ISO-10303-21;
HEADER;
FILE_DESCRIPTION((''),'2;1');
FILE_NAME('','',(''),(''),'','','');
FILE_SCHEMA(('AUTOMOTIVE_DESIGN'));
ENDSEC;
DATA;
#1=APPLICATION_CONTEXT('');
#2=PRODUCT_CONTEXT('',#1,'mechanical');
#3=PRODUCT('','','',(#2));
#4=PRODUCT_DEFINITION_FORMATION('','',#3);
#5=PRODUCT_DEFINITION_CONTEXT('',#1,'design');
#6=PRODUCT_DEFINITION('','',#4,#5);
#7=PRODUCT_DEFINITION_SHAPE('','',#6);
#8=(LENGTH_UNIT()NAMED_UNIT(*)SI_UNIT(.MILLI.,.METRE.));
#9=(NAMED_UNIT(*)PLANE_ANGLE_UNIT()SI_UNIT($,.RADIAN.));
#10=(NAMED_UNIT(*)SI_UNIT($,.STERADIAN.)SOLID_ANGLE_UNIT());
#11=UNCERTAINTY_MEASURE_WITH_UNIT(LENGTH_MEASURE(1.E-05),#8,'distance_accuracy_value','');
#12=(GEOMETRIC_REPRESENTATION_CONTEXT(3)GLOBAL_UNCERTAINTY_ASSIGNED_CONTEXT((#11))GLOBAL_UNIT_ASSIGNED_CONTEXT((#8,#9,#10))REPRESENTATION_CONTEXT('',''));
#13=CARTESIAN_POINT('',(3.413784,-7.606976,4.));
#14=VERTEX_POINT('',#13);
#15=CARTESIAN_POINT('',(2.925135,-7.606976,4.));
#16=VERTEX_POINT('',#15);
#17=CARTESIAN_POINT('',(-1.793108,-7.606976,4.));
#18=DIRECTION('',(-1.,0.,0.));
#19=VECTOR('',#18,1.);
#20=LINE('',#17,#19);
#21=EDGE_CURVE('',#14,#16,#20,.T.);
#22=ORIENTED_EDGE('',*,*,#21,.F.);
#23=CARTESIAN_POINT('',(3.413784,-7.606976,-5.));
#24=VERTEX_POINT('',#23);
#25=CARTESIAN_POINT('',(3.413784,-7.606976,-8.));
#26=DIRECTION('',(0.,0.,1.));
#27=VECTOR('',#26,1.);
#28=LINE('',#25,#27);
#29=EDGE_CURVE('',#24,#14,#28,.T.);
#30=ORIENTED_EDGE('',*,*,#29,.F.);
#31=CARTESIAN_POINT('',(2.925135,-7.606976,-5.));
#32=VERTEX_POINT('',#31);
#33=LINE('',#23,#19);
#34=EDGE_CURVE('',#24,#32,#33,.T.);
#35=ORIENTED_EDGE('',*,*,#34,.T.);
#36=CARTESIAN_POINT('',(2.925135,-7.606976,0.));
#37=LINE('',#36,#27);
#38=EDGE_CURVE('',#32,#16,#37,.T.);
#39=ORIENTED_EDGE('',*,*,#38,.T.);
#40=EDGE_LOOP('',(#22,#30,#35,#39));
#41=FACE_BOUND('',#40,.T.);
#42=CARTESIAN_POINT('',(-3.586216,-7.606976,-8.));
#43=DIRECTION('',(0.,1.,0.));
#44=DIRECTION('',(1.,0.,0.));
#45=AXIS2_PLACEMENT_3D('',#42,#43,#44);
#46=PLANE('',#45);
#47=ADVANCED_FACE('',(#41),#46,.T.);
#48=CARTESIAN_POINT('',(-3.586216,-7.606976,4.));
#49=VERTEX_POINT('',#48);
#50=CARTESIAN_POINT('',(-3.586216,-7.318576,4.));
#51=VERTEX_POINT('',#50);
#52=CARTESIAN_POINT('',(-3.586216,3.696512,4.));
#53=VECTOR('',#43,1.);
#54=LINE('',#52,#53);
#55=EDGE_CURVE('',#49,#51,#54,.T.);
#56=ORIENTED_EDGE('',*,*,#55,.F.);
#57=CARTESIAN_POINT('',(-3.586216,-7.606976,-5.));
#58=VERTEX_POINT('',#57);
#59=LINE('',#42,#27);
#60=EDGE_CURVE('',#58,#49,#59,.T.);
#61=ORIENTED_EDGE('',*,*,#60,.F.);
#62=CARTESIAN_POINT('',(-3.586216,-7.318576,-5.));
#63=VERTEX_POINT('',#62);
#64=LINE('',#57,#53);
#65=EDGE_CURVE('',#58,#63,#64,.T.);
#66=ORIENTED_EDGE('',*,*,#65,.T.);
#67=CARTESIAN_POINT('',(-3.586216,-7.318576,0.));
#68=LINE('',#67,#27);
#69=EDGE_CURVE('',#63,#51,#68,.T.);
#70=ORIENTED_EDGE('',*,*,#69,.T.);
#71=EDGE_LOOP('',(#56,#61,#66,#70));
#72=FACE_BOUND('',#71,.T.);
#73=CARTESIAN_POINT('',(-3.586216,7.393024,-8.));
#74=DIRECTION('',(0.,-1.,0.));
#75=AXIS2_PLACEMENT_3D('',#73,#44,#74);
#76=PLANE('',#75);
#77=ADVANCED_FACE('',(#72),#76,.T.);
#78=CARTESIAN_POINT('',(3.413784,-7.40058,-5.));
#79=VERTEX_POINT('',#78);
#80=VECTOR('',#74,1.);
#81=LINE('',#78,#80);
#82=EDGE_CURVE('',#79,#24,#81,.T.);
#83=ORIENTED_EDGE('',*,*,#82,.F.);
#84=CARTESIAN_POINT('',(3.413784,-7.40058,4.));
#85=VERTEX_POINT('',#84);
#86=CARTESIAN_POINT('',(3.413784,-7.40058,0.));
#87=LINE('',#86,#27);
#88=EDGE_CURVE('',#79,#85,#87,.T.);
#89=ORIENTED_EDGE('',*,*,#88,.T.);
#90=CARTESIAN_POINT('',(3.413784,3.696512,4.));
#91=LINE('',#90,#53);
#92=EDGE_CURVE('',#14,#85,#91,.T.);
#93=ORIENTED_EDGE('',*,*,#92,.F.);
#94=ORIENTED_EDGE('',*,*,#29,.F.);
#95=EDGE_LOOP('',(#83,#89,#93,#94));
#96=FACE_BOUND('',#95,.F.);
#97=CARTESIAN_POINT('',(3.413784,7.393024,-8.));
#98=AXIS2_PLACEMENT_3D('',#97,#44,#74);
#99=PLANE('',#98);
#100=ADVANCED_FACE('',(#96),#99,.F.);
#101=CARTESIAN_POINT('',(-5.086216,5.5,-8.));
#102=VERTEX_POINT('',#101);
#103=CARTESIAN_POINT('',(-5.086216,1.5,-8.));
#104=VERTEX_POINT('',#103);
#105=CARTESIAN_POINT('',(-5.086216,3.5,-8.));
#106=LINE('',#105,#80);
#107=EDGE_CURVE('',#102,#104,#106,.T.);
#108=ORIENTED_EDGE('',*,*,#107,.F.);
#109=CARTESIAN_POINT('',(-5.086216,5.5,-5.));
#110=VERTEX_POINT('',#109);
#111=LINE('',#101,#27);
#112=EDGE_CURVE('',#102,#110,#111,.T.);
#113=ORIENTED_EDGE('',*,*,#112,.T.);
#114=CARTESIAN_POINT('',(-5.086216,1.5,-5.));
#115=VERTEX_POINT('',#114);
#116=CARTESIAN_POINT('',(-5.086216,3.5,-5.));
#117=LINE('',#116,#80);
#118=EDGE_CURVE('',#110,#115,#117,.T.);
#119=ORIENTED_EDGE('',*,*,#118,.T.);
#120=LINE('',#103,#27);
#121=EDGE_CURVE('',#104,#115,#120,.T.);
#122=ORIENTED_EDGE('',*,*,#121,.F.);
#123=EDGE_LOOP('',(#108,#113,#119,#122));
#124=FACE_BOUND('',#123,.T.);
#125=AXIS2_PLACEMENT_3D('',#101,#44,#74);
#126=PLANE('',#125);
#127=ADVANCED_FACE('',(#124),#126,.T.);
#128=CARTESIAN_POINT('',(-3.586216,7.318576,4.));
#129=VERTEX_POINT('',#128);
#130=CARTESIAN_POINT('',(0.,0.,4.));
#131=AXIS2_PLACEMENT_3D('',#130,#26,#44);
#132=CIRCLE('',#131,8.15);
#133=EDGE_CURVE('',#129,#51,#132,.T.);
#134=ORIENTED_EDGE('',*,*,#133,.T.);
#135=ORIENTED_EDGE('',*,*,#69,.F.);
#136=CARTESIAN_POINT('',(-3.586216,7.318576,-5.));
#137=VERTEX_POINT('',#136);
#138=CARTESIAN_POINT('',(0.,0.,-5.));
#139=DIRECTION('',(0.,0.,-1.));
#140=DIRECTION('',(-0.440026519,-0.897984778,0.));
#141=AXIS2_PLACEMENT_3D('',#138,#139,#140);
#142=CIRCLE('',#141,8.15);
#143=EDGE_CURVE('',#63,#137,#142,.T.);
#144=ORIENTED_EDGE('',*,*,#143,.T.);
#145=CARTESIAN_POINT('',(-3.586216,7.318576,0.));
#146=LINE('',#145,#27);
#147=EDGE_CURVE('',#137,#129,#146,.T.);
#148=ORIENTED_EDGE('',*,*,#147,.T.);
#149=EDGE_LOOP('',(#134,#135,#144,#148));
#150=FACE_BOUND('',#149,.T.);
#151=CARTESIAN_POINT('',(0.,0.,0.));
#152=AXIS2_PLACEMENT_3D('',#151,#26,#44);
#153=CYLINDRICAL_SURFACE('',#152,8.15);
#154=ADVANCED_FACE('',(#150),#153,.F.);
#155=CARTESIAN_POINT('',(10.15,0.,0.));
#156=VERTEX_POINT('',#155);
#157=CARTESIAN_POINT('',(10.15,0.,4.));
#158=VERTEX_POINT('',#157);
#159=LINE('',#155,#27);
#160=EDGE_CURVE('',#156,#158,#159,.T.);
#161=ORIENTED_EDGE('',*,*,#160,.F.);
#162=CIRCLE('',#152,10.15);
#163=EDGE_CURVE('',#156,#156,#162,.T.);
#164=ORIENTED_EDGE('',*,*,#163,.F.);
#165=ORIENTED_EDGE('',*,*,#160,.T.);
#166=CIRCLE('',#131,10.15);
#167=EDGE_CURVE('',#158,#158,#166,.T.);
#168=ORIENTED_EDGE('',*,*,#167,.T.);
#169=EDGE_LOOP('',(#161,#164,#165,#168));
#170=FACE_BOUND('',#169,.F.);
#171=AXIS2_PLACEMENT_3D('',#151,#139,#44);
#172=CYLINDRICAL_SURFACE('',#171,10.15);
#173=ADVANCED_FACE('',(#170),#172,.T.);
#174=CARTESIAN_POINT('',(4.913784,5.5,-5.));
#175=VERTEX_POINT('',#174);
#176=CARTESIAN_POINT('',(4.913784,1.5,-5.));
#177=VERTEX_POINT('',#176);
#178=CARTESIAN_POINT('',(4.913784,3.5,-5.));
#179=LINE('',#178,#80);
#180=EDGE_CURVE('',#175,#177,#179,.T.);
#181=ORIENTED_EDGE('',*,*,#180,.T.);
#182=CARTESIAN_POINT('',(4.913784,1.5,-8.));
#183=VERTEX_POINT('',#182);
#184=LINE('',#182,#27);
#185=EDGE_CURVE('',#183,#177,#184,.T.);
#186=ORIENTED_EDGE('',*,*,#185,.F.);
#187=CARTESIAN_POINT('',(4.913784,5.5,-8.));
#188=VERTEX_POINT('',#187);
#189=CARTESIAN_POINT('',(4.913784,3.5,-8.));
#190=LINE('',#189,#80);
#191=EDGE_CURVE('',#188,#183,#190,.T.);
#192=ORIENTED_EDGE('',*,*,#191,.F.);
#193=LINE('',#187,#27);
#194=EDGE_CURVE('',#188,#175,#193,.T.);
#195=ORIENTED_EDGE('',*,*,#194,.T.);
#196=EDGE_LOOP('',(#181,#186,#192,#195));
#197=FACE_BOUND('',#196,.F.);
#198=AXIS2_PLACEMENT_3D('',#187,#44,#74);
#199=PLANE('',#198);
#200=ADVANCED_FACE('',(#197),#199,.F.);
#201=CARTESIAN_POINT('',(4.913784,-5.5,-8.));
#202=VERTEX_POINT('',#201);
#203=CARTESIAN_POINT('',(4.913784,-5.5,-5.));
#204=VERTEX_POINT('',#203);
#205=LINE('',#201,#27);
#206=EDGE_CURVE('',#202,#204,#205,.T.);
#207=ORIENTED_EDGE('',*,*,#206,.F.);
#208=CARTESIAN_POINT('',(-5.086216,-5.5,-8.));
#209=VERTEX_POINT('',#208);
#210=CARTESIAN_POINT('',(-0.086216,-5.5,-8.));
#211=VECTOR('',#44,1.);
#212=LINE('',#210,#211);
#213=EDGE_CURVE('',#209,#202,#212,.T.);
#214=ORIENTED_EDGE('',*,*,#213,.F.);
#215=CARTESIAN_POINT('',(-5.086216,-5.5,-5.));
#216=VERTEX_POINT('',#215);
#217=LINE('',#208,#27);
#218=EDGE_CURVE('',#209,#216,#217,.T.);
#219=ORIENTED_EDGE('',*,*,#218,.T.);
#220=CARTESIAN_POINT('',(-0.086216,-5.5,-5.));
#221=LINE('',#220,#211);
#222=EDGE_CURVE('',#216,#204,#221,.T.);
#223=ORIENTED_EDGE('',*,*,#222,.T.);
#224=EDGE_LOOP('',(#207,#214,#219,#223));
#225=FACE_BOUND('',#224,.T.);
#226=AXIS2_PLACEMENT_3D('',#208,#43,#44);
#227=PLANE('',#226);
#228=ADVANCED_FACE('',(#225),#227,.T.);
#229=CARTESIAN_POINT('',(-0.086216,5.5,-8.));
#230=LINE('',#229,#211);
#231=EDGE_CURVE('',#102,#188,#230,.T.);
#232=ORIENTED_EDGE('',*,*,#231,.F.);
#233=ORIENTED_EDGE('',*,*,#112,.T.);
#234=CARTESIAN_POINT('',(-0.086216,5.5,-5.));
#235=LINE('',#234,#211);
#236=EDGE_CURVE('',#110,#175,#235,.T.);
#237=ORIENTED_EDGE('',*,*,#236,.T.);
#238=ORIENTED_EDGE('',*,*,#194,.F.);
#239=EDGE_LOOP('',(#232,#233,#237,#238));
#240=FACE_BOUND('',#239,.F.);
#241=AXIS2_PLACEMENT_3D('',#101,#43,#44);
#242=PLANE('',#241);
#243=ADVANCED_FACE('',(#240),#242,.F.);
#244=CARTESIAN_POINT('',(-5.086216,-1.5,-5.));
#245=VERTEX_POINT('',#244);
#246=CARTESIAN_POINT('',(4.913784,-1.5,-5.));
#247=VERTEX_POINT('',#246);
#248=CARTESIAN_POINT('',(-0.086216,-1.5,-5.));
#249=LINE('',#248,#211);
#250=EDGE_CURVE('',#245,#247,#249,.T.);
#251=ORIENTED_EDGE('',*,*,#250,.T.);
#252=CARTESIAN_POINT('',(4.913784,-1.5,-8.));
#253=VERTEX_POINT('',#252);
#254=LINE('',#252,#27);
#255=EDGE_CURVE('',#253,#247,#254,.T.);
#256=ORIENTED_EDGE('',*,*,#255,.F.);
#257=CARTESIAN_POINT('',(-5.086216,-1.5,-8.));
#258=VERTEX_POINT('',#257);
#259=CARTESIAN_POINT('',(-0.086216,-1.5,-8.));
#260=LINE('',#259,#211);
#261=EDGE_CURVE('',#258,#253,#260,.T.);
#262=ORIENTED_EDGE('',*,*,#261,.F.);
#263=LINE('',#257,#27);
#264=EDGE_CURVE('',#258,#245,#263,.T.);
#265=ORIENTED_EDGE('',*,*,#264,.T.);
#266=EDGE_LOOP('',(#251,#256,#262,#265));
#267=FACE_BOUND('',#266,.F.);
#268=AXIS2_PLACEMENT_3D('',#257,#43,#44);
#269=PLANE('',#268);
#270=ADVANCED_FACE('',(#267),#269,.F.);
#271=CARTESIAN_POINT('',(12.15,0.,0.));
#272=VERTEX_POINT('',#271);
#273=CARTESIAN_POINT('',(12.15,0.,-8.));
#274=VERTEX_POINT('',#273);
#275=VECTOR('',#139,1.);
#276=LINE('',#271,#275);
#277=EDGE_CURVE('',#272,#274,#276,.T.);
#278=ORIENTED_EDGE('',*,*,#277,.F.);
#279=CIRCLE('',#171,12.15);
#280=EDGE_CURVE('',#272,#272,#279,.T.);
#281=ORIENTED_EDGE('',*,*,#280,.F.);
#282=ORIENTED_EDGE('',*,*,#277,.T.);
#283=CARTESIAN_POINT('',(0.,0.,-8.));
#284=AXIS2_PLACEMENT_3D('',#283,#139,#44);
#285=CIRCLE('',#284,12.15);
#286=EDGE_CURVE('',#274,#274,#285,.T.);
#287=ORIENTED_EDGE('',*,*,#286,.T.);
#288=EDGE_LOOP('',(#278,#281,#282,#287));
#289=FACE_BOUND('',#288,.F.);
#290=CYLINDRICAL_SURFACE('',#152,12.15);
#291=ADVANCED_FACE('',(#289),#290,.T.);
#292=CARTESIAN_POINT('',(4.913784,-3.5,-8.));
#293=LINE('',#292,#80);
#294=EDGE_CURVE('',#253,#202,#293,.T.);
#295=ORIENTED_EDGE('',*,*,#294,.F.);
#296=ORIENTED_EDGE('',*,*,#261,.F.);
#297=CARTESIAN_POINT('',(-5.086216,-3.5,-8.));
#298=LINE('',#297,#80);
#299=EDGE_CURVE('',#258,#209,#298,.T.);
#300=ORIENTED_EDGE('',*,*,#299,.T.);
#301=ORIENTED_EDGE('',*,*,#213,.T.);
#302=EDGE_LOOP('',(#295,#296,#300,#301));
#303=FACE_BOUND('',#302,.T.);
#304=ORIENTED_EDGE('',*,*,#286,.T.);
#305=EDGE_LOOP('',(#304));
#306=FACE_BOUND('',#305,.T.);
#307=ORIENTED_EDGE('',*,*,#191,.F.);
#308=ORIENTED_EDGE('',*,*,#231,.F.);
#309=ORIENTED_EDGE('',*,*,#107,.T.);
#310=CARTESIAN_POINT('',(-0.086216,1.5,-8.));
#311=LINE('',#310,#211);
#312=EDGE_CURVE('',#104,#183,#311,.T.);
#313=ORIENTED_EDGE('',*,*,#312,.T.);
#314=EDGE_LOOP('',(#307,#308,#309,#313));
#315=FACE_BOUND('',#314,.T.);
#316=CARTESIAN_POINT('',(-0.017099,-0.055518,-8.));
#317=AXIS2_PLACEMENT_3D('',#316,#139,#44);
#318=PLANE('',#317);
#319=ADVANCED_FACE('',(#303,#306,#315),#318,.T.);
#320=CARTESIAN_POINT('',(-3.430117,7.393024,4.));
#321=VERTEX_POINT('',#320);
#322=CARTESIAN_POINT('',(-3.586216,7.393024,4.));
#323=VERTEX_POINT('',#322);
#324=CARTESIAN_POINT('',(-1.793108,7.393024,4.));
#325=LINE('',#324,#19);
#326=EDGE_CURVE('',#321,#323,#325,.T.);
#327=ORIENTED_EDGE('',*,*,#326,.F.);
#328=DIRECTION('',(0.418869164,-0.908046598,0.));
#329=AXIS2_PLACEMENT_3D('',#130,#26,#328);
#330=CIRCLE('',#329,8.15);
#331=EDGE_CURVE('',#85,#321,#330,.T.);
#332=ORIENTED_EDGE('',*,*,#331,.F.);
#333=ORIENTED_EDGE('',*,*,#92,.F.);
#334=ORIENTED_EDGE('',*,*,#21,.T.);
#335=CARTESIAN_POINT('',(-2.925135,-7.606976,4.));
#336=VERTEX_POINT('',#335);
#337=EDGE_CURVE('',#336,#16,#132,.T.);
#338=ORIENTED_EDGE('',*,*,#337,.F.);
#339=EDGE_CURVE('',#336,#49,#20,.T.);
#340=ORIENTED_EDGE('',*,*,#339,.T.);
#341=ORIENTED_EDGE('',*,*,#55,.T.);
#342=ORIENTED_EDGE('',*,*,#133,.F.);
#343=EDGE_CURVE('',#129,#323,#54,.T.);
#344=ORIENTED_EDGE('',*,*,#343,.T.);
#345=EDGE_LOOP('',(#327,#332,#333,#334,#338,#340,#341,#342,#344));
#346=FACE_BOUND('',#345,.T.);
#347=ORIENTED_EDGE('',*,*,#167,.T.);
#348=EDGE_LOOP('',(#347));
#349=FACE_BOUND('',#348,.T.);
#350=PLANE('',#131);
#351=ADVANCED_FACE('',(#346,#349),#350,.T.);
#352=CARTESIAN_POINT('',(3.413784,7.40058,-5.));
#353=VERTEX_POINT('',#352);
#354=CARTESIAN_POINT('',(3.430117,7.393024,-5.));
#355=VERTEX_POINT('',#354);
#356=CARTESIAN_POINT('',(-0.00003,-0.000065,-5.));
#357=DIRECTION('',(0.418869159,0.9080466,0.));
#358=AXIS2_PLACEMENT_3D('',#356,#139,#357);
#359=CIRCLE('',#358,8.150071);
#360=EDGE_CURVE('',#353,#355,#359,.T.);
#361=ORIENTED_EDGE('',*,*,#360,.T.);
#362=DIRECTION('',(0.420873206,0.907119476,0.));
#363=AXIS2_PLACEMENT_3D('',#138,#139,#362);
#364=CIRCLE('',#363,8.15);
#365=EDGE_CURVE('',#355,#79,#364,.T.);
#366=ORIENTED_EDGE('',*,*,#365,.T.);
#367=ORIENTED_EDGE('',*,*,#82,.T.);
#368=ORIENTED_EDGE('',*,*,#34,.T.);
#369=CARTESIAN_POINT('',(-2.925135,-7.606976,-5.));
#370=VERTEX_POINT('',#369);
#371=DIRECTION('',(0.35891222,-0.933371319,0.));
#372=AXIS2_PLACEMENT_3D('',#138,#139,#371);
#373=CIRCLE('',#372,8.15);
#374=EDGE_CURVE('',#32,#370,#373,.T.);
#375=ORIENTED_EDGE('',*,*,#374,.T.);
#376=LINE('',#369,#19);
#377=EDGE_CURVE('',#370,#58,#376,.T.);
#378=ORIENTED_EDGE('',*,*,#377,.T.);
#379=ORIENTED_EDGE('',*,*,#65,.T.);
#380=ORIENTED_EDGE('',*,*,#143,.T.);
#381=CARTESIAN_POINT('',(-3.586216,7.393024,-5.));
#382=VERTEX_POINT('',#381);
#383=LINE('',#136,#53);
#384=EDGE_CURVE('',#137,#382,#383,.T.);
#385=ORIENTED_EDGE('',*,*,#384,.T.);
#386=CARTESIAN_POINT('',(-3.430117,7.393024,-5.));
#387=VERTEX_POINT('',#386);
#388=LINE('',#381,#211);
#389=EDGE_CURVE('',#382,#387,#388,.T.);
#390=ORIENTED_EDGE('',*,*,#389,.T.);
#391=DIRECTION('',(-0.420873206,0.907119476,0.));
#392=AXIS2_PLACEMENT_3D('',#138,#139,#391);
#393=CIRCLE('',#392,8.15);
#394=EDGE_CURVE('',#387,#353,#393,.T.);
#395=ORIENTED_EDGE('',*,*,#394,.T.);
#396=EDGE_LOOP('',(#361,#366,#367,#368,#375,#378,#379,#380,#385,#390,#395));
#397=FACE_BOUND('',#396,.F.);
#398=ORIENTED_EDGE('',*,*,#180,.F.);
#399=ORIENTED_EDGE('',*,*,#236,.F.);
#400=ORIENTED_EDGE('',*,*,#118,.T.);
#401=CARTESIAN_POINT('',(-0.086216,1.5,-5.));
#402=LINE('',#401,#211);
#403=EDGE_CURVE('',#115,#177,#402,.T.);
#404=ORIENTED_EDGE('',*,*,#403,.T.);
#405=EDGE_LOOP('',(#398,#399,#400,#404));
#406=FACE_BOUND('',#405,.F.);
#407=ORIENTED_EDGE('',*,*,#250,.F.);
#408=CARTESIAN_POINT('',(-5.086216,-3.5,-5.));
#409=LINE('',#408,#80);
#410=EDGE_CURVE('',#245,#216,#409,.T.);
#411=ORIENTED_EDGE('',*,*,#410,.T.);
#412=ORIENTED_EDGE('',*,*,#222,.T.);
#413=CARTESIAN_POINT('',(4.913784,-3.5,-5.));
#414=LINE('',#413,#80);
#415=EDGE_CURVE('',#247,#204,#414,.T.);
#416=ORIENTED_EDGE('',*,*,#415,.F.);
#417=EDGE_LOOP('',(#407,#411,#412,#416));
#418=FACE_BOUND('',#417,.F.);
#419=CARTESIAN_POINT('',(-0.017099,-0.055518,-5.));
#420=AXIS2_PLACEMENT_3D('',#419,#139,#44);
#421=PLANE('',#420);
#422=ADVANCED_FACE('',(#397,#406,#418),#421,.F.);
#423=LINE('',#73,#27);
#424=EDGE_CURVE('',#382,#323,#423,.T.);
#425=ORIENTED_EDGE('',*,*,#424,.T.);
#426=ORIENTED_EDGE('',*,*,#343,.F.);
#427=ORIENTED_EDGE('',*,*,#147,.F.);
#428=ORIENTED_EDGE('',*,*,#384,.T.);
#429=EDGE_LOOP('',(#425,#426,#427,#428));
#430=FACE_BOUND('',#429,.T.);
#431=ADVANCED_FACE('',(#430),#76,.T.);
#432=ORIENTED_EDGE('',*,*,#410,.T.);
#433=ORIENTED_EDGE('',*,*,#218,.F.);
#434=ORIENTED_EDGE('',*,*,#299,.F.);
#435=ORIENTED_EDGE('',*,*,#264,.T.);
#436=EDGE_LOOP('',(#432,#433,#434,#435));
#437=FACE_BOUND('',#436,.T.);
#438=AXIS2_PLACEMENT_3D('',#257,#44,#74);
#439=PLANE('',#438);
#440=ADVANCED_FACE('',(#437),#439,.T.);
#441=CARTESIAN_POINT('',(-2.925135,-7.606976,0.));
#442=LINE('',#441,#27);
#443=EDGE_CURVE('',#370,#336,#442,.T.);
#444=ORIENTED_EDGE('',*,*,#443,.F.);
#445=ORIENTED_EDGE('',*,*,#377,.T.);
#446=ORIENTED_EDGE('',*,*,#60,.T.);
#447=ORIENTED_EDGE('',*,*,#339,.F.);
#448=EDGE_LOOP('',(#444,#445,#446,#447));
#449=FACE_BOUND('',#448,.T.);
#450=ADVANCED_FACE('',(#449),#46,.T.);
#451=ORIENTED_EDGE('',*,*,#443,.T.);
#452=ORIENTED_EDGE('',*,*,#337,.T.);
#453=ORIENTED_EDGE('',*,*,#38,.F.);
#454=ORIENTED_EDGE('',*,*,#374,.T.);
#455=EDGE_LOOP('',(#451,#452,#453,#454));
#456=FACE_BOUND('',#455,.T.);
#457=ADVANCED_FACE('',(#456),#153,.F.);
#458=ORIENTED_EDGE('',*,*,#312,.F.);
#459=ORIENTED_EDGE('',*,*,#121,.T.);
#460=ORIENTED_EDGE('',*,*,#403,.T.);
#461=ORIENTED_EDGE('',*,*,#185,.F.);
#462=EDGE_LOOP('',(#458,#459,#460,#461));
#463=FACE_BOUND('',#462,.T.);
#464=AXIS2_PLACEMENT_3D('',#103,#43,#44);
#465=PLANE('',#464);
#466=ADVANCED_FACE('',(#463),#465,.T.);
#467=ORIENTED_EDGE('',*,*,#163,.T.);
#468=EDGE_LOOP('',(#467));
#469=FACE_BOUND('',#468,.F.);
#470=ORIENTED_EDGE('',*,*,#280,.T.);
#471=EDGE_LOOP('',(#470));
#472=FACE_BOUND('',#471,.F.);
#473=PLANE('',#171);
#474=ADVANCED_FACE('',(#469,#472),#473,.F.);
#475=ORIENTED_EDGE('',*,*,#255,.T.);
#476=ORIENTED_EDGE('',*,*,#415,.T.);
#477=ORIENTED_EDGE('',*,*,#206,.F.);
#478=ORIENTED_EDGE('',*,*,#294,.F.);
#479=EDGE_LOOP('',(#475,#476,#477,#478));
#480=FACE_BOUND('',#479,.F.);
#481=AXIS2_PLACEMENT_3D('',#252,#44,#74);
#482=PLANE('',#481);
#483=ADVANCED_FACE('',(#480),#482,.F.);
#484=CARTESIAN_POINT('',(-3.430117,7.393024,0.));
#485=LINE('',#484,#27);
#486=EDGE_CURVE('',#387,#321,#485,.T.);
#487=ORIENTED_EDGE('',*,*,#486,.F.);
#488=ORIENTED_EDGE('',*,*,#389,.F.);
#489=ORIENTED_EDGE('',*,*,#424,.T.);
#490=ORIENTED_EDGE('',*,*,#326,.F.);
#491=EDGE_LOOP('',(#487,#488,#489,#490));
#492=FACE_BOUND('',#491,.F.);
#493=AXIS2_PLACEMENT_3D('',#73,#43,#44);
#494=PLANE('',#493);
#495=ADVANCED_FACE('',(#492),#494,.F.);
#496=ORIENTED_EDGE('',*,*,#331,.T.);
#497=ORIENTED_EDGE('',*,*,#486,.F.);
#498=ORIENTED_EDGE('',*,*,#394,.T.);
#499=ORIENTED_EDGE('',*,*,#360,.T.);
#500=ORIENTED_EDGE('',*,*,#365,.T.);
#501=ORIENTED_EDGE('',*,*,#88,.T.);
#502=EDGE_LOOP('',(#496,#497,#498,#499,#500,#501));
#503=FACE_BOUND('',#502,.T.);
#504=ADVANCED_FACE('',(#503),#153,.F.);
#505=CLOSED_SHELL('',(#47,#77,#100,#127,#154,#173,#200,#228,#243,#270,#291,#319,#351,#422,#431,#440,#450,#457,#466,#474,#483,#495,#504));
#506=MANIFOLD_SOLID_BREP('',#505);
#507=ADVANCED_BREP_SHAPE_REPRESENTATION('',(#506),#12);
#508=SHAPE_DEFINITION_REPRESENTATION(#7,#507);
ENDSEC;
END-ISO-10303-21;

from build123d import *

# Parameters (mm, degrees)
F0_R     = 10.15
F0_R_2   = 8.15
F1_DEPTH = 4
F2_R     = 12.15
F2_R_2   = 8.15
F3_DEPTH = 8
F4_W     = 7
F4_H     = 15
F5_DEPTH = 17.272
F6_W     = 9.9999997467
F6_H     = 4
F7_DEPTH = 3


with BuildPart() as f1:
    # F0 (on Top) → F1 (new body)
    with BuildSketch(Plane.XY):
        Circle(F0_R)
        Circle(F0_R_2, mode=Mode.SUBTRACT)
    extrude(amount=F1_DEPTH)

    # F2 (on face) → F3 (join)
    with BuildSketch(Plane(origin=(0, 0, 0), x_dir=(1, 0, 0), z_dir=(0, 0, -1))):
        Circle(F2_R)
        Circle(F2_R_2, mode=Mode.SUBTRACT)
    extrude(amount=F3_DEPTH)

    # F4 (on face) → F5 (cut)
    with BuildSketch(Plane(origin=(0, 0, -8), x_dir=(1, 0, 0), z_dir=(0, 0, -1))):
        with Locations((-0.0862163142, 0.1069762555)):
            Rectangle(F4_W, F4_H)
    extrude(amount=-F5_DEPTH, mode=Mode.SUBTRACT)

    # F6 (on face) → F7 (join)
    with BuildSketch(Plane(origin=(0, 0, -8), x_dir=(1, 0, 0), z_dir=(0, 0, -1))):
        with BuildLine():
            ThreePointArc((-3.5862161876, 7.3185760583), (-8.1500001267, 0), (-3.5862161876, -7.3185760583))
            Line((-3.5862161876, -7.3185760583), (-3.5862161876, -7.3930236179))
            Line((-3.5862161876, -7.3930236179), (-3.4301165755, -7.3930236179))
            ThreePointArc((-3.4301165755, -7.3930236179), (-0.0089980782, -8.1499949061), (3.4137835591, -7.4005796899))
            Line((3.4137835591, -7.4005796899), (3.4137835591, -7.3930236179))
            Line((3.4137835591, -7.3930236179), (3.4301165755, -7.3930236179))
            ThreePointArc((3.4301165755, -7.3930236179), (8.1499949061, 0.0089980782), (3.4137835591, 7.4005796899))
            Line((3.4137835591, 7.4005796899), (3.4137835591, 7.6069761288))
            Line((3.4137835591, 7.6069761288), (2.9251345458, 7.6069761288))
            ThreePointArc((2.9251345458, 7.6069761288), (0, 8.1499998733), (-2.9251345458, 7.6069761288))
            Line((-2.9251345458, 7.6069761288), (-3.5862161876, 7.6069761288))
            Line((-3.5862161876, 7.6069761288), (-3.5862161876, 7.3185760583))
        make_face()
        with Locations((-0.0862163142, -3.5)):
            Rectangle(F6_W, F6_H, mode=Mode.SUBTRACT)
        with Locations((-0.0862163142, 3.5)):
            Rectangle(F6_W, F6_H, mode=Mode.SUBTRACT)
        with BuildLine():
            Line((3.4137835591, -7.3930236179), (3.4137835591, -7.4005796899))
            ThreePointArc((3.4137835591, -7.4005796899), (3.4219521529, -7.396806162), (3.4301165755, -7.3930236179))
            Line((3.4301165755, -7.3930236179), (3.4137835591, -7.3930236179))
        make_face()
    extrude(amount=-F7_DEPTH)


solid = f1.part
